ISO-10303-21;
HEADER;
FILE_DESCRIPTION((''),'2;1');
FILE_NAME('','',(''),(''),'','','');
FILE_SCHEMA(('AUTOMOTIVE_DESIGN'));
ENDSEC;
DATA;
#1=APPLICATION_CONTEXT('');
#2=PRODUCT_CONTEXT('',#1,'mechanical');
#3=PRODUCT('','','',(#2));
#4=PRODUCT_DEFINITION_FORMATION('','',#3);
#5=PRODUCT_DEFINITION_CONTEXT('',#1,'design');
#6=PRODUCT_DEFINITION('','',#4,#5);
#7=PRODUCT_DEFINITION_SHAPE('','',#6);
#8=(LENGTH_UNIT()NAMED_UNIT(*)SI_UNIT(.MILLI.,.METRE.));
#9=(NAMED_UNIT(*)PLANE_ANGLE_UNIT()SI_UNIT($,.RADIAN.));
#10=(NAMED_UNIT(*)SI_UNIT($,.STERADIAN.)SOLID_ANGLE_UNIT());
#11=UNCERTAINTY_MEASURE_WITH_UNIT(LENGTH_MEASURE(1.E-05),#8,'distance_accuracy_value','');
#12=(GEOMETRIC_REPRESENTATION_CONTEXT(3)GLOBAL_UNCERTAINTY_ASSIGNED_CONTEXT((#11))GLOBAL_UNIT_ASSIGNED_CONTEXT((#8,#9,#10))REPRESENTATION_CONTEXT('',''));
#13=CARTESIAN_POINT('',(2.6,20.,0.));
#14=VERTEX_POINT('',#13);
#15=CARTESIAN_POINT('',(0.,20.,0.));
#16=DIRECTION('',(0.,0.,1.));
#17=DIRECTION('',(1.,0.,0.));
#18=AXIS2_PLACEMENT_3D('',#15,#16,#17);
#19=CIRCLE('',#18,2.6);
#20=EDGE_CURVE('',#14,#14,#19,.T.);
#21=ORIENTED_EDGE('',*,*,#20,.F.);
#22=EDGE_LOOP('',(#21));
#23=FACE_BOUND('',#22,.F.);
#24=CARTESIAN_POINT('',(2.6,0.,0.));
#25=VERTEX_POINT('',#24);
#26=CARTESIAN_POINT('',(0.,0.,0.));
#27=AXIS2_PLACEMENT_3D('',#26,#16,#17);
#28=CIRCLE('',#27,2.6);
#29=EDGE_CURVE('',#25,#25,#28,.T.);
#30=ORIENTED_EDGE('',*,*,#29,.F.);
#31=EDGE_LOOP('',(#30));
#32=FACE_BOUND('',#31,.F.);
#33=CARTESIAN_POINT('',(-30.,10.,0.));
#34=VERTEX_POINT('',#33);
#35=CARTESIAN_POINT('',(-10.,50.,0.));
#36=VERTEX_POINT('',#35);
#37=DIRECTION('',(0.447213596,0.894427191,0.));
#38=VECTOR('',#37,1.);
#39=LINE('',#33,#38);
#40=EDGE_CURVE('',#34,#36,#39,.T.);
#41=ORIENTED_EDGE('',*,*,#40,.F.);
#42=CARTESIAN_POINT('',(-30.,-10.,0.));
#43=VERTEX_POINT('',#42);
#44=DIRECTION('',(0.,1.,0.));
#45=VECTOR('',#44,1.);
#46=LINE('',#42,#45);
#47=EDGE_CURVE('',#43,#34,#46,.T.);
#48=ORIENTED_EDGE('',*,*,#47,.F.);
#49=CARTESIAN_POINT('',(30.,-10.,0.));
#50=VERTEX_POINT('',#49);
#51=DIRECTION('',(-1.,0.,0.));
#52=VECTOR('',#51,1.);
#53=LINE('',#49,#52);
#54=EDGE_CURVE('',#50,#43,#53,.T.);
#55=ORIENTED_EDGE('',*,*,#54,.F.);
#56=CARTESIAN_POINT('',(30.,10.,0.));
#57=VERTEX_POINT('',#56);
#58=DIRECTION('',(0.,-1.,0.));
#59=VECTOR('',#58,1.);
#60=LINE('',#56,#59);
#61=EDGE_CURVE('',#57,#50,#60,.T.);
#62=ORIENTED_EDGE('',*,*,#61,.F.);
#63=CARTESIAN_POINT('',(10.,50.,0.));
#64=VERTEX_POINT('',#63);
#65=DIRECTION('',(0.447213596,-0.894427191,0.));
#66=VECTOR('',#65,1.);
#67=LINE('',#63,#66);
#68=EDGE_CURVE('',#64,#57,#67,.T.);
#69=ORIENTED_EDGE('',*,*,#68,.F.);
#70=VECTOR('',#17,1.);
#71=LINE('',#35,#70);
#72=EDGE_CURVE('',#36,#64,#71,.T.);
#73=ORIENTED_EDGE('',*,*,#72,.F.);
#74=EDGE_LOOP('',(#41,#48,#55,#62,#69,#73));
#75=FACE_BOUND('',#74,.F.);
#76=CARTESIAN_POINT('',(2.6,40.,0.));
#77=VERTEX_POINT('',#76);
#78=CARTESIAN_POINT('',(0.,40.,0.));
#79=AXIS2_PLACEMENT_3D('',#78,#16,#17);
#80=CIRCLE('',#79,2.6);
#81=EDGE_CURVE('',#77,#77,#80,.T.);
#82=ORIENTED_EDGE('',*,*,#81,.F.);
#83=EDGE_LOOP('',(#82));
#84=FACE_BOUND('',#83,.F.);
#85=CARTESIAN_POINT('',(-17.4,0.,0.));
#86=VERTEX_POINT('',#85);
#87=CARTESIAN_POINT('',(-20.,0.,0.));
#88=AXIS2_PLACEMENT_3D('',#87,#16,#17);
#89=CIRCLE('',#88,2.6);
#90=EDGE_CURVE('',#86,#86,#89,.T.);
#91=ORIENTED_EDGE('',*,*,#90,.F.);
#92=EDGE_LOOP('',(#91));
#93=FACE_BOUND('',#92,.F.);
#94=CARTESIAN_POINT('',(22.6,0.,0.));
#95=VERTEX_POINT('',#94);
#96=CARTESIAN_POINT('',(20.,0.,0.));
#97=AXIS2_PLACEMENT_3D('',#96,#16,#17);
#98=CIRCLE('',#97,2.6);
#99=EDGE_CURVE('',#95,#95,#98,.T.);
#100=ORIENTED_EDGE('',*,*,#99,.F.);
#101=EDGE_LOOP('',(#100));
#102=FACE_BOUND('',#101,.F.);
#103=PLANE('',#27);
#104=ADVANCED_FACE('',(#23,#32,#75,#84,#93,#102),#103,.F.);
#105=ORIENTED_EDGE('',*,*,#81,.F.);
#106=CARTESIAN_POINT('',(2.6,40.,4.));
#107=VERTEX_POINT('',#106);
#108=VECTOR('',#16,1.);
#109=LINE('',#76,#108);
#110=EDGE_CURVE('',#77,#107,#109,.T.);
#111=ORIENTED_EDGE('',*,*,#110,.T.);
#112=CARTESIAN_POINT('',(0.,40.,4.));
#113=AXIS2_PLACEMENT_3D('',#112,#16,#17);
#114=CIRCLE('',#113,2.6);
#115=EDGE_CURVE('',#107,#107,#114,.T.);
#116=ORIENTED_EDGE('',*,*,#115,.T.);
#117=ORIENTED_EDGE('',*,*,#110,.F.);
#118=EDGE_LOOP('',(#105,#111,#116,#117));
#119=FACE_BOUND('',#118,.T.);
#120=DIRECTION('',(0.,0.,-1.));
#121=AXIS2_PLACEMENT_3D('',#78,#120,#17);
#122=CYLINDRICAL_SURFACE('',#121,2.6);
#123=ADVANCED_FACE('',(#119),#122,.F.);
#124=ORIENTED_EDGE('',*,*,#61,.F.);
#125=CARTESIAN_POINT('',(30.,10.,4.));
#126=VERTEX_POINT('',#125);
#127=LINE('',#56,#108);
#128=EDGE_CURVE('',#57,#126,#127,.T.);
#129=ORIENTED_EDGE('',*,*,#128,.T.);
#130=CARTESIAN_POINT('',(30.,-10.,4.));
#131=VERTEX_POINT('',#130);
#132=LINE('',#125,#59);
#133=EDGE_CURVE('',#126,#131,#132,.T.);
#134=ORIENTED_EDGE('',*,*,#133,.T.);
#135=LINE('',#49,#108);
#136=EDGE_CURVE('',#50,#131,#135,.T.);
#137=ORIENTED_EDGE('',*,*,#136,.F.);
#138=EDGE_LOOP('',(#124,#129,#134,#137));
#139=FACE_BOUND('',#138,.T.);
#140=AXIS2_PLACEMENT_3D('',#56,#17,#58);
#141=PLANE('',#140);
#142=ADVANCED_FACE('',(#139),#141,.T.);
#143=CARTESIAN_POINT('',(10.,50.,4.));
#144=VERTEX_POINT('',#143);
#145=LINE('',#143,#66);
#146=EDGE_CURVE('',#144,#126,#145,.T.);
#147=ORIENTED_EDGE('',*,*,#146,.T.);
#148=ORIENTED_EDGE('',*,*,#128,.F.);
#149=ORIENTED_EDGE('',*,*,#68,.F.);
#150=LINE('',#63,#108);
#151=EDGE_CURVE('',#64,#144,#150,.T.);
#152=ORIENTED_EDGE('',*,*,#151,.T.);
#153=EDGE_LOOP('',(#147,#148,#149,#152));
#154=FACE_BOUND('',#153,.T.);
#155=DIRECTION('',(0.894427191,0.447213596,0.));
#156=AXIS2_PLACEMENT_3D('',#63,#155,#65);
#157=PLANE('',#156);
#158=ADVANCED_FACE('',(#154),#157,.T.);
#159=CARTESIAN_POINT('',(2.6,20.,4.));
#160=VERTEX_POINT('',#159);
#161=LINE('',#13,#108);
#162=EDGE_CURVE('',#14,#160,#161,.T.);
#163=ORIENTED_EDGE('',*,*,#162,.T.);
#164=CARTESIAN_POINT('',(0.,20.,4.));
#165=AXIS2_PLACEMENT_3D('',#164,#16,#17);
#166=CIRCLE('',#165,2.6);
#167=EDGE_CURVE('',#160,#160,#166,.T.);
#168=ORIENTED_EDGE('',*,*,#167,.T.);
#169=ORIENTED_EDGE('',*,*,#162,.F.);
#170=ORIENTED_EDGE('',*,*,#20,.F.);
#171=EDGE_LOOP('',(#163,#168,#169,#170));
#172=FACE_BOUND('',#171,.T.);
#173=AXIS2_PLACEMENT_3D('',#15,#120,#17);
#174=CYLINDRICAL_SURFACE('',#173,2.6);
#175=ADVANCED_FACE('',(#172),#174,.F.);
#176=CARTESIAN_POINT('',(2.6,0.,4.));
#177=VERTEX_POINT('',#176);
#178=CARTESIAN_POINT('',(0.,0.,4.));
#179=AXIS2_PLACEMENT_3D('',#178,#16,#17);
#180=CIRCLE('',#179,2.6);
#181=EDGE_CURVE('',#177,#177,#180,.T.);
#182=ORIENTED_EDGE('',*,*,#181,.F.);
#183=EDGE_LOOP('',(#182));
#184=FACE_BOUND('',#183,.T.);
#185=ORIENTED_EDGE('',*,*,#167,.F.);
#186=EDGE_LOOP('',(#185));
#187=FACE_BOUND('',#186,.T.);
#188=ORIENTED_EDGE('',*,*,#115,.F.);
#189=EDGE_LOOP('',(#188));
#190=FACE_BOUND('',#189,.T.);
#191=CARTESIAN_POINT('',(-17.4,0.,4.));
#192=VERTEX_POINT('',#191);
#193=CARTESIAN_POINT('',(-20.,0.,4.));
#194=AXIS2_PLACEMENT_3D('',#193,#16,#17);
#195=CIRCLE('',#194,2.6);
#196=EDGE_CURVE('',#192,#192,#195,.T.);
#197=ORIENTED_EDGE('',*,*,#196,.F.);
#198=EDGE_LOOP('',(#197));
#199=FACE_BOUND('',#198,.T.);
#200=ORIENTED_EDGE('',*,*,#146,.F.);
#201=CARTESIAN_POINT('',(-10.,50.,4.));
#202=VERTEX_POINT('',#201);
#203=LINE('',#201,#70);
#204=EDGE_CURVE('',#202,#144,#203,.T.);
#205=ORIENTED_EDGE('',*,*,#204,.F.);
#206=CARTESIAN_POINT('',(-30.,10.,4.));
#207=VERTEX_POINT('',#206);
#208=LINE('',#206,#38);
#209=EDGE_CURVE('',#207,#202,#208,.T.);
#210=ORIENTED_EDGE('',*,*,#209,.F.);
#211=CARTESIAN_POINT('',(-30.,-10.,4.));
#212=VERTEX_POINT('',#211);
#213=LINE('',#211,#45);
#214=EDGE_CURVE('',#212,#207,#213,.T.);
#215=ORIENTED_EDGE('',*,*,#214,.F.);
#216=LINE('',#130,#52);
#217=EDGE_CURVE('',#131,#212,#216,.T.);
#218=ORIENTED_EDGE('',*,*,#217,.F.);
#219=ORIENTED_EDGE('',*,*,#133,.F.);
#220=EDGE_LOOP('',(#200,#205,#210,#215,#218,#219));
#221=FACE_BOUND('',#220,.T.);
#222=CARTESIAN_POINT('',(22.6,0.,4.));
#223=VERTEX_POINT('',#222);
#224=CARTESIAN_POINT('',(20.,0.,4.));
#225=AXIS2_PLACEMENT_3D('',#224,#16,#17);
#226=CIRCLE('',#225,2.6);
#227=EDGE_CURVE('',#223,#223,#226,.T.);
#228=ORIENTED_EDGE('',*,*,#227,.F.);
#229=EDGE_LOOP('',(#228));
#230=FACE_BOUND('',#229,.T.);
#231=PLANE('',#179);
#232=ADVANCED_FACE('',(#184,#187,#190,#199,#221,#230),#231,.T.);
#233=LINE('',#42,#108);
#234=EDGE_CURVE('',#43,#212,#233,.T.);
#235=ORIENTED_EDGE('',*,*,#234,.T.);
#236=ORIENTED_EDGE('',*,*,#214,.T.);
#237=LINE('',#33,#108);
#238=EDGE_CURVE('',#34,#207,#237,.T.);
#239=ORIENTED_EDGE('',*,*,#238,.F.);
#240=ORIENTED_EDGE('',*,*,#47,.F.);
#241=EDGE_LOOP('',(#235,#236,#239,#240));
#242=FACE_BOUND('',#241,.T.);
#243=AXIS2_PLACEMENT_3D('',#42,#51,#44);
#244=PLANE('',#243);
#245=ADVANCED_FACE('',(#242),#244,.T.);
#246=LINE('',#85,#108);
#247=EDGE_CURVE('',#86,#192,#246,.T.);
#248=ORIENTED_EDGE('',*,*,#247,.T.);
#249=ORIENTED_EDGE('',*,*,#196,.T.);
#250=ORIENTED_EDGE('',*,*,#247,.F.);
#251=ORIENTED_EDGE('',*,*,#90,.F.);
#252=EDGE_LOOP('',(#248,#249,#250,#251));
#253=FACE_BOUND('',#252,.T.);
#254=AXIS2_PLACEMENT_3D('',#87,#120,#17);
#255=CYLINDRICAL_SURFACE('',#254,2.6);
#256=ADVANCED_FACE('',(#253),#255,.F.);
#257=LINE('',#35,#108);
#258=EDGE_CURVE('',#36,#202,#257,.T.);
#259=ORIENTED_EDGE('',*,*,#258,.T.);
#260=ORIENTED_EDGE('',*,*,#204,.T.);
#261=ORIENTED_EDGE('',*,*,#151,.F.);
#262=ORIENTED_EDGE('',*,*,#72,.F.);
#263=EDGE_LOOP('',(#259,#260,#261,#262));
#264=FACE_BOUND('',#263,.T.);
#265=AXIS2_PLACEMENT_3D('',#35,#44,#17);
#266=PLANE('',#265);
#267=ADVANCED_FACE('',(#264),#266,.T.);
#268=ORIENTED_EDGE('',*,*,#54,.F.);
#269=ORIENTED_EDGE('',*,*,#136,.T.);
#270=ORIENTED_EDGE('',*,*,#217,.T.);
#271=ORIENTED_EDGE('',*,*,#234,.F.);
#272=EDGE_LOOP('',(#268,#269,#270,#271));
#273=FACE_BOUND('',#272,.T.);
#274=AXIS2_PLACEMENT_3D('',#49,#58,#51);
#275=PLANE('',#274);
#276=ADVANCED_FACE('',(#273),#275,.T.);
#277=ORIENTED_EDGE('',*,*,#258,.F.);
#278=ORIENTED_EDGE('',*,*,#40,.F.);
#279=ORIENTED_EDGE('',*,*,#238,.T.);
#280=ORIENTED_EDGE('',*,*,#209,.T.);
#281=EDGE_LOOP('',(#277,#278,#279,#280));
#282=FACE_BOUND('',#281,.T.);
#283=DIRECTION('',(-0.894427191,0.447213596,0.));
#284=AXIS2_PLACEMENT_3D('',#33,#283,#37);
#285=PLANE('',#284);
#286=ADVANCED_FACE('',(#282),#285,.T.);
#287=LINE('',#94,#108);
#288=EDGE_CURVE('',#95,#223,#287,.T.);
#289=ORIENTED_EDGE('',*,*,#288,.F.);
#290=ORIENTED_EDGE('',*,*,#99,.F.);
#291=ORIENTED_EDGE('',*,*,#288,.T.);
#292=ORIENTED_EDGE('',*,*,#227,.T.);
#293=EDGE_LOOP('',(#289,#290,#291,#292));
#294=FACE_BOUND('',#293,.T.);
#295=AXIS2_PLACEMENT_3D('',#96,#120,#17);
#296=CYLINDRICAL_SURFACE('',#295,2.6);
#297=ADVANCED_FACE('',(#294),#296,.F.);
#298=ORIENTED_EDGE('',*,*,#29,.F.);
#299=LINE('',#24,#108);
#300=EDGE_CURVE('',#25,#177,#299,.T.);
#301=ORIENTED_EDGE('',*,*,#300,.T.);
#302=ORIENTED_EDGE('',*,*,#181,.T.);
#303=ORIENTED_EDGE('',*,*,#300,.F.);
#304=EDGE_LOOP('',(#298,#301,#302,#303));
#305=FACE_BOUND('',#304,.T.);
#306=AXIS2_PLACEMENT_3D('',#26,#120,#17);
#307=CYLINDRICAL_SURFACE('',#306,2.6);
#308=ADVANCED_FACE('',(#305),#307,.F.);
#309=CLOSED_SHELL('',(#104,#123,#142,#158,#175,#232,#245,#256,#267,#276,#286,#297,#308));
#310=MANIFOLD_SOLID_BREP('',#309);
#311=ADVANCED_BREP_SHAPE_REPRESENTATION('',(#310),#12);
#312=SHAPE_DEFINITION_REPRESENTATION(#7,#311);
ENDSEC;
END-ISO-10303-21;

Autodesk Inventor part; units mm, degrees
ref_plane "YZ Plane" through (0, 0, 0) normal (1, 0, 0) x (0, 1, 0)
ref_plane "XZ Plane" through (0, 0, 0) normal (0, 1, 0) x (-1, 0, 0)
ref_plane "XY Plane" through (0, 0, 0) normal (0, 0, 1) x (1, 0, 0)
sketch "Sketch1" plane through (0, 0, 0) normal (0, 0, 1) x (1, 0, 0)
  line L0 (30, -10) -> (-30, -10)
  line L1 (0, 30.1987) -> (0, -10) construction
  line L2 (-30, -10) -> (-30, 10)
  line L3 (-30, 10) -> (-10, 50)
  line L4 (-10, 50) -> (10, 50)
  line L5 (10, 50) -> (30, 10)
  line L6 (30, 10) -> (30, -10)
  circle A0 centre (0, 0) radius 2.6
  circle A1 centre (-20, 0) radius 2.6
  circle A2 centre (20, 0) radius 2.6
  circle A3 centre (0, 0) radius 2.6
  circle A4 centre (0, 20) radius 2.6
  circle A5 centre (0, 40) radius 2.6
  point P0 (0, 50)
  dimension "d2" = 20
  dimension "d3" = 20
  dimension "d4" = 60
  dimension "d5" = 60
  dimension "d6" = 5.2
  dimension "d8" = 10
  dimension "d11" = 20
  dimension "d14" = 20
  dimension "d19" = 20
extrude "Extrusion1" add sketch "Sketch1" along normal blind 4
properties part number "T joining plate"
